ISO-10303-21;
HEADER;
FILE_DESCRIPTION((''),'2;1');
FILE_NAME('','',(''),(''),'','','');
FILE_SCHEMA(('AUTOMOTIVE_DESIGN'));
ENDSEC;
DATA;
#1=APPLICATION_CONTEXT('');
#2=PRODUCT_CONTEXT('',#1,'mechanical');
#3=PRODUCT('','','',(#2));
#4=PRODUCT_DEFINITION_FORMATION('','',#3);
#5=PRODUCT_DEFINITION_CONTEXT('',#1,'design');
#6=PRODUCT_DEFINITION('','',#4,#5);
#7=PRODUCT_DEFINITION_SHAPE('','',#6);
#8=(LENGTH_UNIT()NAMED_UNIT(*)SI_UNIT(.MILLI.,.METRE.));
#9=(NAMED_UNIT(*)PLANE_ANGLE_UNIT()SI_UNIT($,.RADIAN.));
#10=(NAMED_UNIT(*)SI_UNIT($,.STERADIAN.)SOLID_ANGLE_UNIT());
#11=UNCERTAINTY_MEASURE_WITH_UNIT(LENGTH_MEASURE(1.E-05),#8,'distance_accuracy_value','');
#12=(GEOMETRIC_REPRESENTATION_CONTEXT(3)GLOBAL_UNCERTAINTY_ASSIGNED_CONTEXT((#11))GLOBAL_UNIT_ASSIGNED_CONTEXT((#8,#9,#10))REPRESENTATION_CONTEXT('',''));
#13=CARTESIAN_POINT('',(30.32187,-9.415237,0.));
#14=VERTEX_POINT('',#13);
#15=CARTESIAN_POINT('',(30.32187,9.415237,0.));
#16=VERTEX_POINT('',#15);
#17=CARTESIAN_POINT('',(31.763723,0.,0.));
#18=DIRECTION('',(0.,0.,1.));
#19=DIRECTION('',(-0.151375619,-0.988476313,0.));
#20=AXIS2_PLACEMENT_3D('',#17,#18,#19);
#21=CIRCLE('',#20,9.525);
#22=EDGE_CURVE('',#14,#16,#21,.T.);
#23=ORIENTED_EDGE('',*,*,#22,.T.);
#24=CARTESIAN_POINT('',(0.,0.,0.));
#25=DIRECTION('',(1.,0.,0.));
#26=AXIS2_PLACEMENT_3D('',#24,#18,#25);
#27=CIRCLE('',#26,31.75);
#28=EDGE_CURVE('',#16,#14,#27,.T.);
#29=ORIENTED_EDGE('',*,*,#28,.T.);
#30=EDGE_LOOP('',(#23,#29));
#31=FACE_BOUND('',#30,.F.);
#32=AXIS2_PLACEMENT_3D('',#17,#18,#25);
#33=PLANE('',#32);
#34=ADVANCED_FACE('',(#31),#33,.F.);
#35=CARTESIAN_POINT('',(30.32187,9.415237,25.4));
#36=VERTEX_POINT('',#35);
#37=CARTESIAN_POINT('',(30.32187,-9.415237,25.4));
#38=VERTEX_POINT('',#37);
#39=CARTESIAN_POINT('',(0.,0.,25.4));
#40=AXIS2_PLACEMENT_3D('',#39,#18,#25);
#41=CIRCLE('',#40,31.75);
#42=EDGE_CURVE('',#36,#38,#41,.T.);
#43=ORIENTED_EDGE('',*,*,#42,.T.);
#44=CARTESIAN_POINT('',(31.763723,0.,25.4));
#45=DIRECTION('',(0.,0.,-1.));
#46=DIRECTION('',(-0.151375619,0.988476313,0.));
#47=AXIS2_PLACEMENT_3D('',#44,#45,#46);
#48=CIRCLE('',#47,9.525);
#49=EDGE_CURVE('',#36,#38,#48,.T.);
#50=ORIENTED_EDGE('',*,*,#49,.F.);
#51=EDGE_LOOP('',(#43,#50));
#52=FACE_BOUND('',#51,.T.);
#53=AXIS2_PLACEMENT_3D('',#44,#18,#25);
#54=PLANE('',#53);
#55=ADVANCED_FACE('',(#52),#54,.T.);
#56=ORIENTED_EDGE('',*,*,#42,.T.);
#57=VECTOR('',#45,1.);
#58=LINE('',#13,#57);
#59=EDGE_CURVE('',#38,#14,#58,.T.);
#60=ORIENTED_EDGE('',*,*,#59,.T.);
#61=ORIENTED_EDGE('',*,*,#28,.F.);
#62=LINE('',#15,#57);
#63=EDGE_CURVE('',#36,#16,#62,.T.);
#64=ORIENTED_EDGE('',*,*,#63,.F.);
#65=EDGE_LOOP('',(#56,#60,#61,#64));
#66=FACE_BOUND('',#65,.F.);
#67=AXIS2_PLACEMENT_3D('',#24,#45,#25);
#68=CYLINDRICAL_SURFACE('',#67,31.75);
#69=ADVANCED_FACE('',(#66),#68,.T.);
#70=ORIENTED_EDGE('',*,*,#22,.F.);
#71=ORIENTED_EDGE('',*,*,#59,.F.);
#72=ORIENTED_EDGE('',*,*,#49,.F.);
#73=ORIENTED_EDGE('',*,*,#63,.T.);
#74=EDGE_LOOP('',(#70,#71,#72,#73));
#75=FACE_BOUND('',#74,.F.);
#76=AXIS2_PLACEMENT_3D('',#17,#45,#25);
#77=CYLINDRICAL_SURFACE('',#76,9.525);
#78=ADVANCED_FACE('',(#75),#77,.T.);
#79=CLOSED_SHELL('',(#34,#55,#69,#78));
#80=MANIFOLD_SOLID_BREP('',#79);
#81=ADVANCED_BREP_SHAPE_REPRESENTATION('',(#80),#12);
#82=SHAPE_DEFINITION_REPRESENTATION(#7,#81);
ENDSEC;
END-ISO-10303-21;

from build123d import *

# Parameters (mm, degrees)
F0_R     = 31.75
F2_DEPTH = 25.4
F1_R     = 9.525
F3_DEPTH = 25.4


with BuildPart() as f2:
    # F0 (on Top) → F2 (new body)
    with BuildSketch(Plane.XY):
        Circle(F0_R)
    extrude(amount=F2_DEPTH)

    # F1 (on Top) → F3 (join)
    with BuildSketch(Plane.XY):
        with Locations((31.763723, 0)):
            Circle(F1_R)
    extrude(amount=F3_DEPTH)


solid = f2.part
